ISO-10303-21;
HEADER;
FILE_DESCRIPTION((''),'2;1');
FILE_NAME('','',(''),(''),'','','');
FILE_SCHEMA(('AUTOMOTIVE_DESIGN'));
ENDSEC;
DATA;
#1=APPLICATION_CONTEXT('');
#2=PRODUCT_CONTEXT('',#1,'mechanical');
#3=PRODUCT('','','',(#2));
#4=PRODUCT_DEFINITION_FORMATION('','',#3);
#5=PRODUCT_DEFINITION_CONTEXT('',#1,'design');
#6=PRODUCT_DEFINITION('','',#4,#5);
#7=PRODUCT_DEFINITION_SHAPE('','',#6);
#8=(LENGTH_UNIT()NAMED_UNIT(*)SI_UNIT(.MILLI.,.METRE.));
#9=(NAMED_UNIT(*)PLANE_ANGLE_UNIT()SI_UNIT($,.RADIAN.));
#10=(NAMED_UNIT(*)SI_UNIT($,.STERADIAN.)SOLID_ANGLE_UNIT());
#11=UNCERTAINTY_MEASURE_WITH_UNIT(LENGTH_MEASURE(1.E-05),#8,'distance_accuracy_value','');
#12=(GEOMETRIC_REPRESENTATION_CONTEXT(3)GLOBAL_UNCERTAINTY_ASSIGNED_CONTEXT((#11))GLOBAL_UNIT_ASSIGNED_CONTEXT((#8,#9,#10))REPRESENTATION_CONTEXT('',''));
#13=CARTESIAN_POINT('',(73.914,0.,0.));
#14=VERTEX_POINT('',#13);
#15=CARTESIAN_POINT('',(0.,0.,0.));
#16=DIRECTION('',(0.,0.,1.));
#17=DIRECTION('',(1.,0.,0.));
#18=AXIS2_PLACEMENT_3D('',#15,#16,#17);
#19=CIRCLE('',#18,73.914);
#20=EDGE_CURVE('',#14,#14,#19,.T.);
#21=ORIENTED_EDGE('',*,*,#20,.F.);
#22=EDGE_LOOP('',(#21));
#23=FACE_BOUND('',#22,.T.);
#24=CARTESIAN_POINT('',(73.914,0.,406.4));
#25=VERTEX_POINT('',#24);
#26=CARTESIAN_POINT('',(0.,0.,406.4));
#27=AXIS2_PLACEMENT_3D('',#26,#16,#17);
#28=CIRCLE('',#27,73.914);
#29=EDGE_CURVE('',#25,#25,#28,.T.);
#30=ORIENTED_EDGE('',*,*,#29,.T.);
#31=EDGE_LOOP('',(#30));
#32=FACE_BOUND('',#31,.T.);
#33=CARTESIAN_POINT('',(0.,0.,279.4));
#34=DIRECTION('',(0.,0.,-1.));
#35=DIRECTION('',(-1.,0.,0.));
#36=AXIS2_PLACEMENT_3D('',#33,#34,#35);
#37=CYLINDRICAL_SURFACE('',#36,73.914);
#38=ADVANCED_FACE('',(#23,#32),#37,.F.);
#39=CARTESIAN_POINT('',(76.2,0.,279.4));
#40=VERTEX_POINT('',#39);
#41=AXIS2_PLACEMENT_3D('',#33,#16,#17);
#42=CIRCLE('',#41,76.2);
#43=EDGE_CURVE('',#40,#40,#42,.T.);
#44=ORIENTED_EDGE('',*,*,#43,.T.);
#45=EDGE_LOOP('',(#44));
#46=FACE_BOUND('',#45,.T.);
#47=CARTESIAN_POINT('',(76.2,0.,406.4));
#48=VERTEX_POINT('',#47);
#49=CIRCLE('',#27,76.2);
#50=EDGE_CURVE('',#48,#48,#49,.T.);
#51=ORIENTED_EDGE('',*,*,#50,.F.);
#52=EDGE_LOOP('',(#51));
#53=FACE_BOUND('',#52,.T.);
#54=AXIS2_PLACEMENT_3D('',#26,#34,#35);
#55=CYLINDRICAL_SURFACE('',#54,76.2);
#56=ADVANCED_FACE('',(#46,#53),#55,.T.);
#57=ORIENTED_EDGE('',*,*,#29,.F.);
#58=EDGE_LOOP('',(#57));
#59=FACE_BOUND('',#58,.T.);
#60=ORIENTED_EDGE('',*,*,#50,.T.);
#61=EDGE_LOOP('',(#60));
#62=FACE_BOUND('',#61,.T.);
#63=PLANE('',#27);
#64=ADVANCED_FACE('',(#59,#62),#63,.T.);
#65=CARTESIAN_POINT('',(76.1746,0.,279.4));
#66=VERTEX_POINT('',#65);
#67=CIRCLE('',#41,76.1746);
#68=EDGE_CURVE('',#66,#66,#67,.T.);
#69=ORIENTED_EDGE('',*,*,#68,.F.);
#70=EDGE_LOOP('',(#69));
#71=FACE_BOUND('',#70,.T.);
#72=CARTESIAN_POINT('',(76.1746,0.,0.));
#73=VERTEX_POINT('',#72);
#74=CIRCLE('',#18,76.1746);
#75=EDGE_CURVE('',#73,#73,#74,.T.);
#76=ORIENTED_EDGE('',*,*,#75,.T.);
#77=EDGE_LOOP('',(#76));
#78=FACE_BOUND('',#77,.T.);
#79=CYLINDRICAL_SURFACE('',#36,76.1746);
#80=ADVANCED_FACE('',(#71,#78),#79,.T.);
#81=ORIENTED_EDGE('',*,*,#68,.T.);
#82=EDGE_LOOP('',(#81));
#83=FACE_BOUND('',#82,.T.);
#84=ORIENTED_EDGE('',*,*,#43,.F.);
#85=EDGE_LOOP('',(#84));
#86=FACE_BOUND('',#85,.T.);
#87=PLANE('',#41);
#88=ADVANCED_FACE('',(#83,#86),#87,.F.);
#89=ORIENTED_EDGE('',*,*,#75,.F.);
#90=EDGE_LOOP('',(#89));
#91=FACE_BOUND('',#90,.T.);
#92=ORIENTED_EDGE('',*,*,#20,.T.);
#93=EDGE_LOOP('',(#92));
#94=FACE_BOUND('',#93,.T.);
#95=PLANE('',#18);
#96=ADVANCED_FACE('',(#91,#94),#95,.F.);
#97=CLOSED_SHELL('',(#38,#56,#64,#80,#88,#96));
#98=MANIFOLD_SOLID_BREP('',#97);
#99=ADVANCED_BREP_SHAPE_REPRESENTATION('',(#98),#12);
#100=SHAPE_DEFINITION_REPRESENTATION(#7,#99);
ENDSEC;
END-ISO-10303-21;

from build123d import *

# Parameters (mm, degrees)
ESQUISSE2_R        = 76.1746
ESQUISSE2_R_2      = 73.914
BOSS_EXTRU_1_DEPTH = 279.4
ESQUISSE3_R        = 76.2
ESQUISSE3_R_2      = 73.914
BOSS_EXTRU_2_DEPTH = 127


with BuildPart() as part:
    # Esquisse2 → Boss.-Extru.1 (new body)
    with BuildSketch(Plane.XY):
        Circle(ESQUISSE2_R)
        Circle(ESQUISSE2_R_2, mode=Mode.SUBTRACT)
    extrude(amount=BOSS_EXTRU_1_DEPTH)

    # Esquisse3 → Boss.-Extru.2 (add)
    with BuildSketch(Plane.XY.offset(279.4)):
        Circle(ESQUISSE3_R)
        Circle(ESQUISSE3_R_2, mode=Mode.SUBTRACT)
    extrude(amount=BOSS_EXTRU_2_DEPTH)


solid = part.part
